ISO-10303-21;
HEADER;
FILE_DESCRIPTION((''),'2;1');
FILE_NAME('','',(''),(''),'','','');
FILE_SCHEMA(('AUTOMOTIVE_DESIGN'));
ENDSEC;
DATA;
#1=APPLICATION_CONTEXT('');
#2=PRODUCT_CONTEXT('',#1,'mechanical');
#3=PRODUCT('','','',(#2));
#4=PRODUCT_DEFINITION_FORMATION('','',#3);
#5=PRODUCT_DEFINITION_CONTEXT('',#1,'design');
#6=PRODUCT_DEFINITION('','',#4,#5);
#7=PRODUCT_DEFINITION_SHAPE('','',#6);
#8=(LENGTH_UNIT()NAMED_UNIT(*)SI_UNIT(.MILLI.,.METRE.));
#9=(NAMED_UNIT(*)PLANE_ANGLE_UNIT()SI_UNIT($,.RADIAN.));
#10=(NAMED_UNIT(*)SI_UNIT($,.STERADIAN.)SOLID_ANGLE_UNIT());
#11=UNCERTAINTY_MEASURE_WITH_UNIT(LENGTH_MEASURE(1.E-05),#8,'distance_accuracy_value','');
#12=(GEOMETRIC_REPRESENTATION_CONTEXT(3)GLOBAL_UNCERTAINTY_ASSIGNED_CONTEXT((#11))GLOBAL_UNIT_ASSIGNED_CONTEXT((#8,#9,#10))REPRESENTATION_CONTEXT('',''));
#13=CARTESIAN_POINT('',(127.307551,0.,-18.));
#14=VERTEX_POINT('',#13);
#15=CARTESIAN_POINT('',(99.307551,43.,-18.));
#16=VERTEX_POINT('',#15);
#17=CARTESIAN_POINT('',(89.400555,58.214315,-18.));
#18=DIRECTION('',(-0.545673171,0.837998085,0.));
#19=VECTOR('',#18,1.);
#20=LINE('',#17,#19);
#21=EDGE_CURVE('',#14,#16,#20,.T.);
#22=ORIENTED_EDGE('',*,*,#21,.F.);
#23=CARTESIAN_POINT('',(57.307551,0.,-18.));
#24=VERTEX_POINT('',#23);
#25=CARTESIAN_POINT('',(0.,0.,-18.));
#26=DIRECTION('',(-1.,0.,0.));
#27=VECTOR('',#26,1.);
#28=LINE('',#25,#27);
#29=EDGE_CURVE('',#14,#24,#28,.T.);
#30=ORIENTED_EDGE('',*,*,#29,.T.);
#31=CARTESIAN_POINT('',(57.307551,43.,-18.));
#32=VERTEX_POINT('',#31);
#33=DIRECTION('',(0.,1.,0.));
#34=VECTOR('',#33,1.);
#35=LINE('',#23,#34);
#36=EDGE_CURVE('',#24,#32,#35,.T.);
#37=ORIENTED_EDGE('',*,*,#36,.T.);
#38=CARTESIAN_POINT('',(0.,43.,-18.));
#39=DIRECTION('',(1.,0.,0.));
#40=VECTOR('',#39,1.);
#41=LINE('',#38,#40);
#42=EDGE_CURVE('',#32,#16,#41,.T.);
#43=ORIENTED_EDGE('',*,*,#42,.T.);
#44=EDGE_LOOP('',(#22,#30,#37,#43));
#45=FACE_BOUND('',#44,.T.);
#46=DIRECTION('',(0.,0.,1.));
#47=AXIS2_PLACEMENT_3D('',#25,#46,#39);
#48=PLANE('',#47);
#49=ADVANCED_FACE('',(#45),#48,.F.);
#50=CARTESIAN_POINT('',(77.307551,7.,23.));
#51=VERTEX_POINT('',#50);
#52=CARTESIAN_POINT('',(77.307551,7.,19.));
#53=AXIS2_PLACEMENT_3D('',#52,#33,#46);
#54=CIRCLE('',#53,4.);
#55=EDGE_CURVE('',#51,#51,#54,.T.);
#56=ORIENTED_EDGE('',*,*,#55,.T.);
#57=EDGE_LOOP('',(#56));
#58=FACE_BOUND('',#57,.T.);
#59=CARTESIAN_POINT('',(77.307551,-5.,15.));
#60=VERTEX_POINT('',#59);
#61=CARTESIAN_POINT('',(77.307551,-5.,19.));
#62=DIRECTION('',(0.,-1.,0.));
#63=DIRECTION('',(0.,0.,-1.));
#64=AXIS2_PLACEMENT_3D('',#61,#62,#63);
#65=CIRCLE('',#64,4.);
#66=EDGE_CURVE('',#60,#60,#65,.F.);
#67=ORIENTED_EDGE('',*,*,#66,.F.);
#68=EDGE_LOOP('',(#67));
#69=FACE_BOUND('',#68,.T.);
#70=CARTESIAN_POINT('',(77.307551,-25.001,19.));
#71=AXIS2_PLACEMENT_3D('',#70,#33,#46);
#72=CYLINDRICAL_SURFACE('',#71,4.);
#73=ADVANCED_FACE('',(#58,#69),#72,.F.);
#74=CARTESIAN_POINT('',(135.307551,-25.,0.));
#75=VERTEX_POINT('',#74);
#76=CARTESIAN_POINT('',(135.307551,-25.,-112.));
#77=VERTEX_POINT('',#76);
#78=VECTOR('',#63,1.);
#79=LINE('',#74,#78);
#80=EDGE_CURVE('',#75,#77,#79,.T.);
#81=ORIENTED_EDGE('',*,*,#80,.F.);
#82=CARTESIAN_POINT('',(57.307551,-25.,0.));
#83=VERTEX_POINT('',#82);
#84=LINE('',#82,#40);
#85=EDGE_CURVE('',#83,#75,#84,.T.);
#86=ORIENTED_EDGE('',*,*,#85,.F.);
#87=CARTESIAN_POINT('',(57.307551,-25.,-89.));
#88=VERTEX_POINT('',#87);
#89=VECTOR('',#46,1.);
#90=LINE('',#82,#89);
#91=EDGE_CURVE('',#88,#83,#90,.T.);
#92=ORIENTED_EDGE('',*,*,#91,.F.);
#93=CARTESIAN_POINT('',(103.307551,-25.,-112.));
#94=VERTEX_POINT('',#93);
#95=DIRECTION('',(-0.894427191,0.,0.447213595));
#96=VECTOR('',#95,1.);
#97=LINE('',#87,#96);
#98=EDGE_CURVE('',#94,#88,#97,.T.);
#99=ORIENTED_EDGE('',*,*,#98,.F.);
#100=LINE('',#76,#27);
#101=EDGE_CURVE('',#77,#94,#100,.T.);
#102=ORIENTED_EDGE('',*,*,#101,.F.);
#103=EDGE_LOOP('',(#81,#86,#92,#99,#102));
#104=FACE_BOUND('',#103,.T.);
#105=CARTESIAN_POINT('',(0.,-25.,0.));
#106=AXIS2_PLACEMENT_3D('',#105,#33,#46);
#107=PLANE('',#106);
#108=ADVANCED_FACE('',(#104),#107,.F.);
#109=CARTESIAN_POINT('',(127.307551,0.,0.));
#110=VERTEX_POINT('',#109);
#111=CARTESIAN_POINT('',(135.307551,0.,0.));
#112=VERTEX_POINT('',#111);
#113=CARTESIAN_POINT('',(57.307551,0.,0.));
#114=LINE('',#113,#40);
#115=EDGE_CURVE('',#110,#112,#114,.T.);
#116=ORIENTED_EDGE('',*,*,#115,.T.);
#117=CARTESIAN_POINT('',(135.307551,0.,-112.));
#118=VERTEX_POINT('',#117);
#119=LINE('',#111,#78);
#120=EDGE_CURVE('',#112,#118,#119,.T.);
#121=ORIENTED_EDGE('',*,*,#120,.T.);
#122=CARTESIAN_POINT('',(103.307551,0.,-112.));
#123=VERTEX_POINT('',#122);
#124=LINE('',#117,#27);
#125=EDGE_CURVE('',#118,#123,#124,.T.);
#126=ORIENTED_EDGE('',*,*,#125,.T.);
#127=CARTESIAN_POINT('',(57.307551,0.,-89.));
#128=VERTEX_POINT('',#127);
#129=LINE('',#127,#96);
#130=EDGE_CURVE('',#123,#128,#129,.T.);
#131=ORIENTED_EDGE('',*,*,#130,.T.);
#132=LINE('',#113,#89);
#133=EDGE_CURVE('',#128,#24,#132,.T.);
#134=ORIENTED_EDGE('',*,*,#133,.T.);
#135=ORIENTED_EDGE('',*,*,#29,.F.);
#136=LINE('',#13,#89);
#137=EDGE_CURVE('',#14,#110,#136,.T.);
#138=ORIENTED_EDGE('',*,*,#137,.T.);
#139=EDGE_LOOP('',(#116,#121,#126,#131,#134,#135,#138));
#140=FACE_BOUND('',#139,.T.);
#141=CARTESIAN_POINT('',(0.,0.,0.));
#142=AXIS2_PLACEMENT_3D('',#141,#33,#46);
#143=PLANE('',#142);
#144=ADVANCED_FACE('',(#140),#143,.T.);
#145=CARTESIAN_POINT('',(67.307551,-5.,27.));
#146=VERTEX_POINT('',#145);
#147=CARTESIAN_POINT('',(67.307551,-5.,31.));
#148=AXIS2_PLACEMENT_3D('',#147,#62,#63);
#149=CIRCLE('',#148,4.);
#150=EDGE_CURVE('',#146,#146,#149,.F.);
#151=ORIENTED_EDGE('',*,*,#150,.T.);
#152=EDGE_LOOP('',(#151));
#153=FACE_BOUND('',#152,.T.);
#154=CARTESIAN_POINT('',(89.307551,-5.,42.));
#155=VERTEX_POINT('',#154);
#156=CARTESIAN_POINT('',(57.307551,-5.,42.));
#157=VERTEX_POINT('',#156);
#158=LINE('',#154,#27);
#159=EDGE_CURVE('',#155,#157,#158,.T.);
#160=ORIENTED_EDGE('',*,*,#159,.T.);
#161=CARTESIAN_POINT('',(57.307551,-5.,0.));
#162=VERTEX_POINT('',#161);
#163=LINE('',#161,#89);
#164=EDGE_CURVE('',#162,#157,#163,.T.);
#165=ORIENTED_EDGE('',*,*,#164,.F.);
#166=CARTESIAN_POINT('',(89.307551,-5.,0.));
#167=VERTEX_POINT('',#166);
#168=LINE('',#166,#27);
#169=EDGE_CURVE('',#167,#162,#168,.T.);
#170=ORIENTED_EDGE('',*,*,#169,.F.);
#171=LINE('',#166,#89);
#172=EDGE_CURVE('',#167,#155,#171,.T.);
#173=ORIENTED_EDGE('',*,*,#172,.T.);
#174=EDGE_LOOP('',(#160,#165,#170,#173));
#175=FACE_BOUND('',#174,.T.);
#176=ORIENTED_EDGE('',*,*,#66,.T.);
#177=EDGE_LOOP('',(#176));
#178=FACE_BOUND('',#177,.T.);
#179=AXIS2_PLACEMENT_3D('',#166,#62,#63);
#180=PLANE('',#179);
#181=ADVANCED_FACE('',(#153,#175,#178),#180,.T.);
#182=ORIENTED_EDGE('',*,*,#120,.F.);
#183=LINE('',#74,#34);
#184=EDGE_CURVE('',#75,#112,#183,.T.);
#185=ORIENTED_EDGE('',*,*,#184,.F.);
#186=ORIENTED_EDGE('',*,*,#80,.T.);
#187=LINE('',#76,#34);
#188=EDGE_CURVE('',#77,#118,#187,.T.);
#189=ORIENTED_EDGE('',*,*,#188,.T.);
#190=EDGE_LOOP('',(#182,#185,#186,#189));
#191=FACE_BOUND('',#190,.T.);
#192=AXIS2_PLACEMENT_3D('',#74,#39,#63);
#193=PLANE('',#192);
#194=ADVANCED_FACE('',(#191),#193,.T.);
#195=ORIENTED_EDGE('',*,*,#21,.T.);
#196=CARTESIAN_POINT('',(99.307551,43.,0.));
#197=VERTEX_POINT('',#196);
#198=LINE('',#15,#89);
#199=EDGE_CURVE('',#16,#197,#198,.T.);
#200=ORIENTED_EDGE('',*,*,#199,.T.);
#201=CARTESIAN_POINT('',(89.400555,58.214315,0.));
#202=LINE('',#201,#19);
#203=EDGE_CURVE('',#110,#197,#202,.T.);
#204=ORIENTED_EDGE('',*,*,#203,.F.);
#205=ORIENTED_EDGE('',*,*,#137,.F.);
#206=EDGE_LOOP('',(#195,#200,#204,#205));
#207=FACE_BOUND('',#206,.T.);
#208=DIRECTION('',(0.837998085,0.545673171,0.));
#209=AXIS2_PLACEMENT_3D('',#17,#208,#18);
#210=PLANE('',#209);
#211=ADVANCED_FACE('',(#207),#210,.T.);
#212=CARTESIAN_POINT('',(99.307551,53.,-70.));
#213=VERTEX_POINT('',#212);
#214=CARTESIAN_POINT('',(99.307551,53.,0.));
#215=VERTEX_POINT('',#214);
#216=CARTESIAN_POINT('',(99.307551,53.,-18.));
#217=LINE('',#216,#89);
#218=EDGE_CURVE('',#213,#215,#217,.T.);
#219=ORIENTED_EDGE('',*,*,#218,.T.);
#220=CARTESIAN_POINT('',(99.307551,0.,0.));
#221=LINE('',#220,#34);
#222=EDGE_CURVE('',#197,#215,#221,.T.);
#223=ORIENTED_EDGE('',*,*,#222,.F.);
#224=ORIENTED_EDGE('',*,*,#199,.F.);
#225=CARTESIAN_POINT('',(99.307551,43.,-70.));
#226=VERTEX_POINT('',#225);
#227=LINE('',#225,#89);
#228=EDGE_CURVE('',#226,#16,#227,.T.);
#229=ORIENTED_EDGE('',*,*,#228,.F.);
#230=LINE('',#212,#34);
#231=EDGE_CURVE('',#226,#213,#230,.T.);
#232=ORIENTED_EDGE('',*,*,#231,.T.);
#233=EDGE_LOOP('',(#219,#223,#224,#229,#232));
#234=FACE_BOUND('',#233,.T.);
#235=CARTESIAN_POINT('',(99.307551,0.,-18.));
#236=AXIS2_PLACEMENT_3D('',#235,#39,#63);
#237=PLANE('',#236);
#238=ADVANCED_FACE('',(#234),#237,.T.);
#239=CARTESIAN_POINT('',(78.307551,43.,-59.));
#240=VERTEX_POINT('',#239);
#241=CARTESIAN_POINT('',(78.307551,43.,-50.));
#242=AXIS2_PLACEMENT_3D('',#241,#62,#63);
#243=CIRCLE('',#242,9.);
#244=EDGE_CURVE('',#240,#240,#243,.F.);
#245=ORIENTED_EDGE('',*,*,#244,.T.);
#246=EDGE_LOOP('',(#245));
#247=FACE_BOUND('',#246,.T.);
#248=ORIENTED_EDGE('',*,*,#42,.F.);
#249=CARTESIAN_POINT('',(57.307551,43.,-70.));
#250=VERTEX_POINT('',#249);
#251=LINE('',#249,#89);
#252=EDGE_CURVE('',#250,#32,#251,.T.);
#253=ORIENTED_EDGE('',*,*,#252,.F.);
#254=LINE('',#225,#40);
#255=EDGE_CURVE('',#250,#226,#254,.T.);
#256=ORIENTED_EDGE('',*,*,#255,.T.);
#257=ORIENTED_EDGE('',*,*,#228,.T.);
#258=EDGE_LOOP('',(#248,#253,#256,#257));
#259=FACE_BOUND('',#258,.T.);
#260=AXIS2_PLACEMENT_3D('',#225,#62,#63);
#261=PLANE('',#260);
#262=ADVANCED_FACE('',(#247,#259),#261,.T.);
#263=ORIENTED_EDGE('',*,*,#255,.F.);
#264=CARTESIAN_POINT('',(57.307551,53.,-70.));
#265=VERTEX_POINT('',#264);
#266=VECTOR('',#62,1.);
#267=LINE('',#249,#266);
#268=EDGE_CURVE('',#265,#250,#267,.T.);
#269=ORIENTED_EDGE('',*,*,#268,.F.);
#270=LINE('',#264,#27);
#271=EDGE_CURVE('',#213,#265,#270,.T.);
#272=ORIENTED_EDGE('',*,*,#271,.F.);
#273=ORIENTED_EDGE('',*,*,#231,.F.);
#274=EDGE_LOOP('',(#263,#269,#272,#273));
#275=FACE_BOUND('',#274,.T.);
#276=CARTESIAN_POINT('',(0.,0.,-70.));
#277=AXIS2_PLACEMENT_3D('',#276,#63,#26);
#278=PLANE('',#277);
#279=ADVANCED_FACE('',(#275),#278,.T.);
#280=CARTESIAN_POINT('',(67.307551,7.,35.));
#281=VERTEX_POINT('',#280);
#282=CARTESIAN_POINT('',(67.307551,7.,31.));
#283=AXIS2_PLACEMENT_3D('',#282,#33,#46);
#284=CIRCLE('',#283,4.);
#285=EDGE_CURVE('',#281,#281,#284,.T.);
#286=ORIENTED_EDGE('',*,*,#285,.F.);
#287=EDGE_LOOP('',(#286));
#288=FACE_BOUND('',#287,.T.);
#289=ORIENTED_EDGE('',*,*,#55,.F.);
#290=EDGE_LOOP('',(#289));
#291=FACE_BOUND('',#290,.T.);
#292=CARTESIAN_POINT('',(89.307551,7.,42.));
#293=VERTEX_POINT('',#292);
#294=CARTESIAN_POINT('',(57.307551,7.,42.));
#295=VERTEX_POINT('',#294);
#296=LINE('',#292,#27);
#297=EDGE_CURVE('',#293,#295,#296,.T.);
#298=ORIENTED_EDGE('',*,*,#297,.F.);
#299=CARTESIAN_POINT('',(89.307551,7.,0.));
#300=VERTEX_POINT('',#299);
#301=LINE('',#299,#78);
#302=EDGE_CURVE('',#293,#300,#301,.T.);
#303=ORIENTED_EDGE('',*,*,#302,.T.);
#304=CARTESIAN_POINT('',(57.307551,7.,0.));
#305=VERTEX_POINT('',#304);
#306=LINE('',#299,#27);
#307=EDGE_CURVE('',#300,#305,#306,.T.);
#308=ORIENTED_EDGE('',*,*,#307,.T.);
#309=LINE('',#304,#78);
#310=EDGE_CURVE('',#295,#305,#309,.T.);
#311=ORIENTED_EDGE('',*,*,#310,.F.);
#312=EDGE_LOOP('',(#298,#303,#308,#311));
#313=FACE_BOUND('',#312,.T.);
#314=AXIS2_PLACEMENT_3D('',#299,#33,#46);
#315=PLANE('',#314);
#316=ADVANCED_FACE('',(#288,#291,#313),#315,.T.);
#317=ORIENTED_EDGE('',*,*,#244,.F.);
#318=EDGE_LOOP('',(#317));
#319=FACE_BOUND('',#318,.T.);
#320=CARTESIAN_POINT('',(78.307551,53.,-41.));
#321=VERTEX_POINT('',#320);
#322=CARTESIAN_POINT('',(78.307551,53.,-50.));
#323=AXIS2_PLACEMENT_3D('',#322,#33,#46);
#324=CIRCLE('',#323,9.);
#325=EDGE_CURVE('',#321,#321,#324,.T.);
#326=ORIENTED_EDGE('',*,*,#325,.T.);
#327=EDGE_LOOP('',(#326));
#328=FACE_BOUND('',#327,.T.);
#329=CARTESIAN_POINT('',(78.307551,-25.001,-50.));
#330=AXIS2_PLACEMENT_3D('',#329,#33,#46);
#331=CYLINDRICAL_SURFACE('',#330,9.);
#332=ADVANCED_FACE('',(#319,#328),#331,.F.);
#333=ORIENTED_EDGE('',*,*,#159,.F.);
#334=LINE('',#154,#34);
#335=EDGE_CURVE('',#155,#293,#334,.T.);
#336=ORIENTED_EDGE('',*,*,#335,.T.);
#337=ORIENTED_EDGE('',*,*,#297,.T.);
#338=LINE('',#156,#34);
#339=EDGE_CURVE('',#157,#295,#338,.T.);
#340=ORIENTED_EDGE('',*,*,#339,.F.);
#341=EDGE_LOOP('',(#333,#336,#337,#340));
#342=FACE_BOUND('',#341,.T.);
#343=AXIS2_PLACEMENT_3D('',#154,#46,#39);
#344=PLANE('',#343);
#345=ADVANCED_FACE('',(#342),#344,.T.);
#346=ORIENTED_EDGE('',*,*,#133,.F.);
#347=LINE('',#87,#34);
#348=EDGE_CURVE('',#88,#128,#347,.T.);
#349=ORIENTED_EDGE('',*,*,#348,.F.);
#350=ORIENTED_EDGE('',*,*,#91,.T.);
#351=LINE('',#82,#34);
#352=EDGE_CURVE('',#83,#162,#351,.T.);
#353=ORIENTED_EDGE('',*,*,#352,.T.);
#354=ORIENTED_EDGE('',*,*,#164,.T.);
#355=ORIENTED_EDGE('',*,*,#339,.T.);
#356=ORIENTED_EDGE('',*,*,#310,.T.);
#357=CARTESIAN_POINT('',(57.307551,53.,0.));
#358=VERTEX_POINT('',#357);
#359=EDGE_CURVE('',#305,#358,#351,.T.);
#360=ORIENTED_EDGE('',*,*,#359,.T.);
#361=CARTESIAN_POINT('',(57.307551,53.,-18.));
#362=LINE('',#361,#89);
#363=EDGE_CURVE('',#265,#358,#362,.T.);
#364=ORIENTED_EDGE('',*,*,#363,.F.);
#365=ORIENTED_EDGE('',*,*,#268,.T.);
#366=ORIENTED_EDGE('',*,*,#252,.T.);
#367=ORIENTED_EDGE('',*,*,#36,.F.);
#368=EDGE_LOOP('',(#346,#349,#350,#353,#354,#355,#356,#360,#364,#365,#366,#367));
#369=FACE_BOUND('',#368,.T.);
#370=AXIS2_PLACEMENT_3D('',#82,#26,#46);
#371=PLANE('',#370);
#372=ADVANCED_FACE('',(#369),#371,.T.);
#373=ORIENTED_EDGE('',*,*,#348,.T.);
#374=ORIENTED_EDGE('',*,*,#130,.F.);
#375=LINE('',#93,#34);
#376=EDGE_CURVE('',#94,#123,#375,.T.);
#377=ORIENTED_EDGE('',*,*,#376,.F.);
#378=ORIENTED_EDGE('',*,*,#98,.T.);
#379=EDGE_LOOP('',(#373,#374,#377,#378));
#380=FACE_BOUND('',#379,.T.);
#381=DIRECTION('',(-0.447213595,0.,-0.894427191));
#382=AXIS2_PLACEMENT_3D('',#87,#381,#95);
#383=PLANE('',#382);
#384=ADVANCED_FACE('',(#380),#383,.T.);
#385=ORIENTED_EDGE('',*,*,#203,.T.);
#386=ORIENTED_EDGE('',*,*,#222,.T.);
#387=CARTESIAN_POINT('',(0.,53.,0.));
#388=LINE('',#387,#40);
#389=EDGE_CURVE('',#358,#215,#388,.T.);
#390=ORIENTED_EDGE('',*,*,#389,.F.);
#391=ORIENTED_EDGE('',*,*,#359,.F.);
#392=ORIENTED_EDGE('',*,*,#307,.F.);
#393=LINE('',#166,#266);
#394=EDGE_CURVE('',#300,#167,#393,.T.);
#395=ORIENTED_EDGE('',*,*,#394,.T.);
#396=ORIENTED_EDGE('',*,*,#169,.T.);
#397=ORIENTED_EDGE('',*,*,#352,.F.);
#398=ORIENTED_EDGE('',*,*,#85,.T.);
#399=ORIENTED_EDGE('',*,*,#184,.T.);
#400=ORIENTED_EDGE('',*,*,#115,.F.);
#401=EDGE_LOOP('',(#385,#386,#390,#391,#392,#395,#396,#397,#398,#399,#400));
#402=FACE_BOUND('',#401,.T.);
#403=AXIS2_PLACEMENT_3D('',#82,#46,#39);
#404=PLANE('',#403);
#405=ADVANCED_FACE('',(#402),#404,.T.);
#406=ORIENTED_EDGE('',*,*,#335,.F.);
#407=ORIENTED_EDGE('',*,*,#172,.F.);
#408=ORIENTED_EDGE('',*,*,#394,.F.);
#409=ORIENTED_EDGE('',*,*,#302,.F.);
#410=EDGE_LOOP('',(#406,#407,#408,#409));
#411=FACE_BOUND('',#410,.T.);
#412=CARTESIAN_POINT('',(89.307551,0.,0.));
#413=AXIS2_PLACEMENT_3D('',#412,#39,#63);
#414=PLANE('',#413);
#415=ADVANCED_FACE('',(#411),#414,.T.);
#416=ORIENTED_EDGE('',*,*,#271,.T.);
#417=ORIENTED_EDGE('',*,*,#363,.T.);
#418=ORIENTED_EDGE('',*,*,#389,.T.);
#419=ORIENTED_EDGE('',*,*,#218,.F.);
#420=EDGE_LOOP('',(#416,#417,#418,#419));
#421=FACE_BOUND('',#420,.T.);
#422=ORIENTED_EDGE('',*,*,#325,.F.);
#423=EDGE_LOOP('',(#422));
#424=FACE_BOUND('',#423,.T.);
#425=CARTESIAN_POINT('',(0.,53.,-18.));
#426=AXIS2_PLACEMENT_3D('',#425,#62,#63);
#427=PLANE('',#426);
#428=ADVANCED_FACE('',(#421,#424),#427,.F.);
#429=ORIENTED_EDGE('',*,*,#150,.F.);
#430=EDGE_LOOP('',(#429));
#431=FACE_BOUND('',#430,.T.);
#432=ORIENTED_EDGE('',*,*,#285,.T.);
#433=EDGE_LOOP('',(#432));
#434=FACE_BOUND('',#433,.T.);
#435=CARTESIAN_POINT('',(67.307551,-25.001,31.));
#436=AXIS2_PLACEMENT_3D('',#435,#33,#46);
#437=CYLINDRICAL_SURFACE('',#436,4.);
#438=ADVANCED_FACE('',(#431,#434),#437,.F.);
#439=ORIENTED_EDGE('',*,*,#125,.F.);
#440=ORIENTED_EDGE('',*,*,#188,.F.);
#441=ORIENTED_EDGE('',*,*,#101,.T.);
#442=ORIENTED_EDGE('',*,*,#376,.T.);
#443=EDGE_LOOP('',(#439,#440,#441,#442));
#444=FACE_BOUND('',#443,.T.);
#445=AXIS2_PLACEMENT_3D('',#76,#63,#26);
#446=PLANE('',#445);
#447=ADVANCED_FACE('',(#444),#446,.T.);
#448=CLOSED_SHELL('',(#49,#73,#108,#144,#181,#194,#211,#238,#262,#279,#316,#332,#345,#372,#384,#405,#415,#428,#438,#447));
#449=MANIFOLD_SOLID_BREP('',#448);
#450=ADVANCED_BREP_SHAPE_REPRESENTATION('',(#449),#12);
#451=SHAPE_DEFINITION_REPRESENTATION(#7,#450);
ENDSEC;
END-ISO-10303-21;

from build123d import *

# Parameters (mm, degrees)
BOSS_EXTRUDE1_DEPTH = 25
BOSS_EXTRUDE2_DEPTH = 18
SKETCH3_W           = 42
SKETCH3_H           = 10
BOSS_EXTRUDE3_DEPTH = 70
CUT_EXTRUDE1_REACH  = 194.188
SKETCH4_R           = 9
SKETCH5_W           = 42
SKETCH5_H           = 12
BOSS_EXTRUDE4_DEPTH = 32
CUT_EXTRUDE2_REACH  = 183.571
SKETCH6_R           = 4


with BuildPart() as part:
    # Sketch1 → Boss-Extrude1 (new body)
    with BuildSketch(Plane(origin=(0, 0, 0), x_dir=(1, 0, 0), z_dir=(0, 1, 0))):
        Polygon((57.307550645, 0), (135.307550645, 0), (135.307550645, 112), (103.307550645, 112), (57.307550645, 89), align=None)
    extrude(amount=-BOSS_EXTRUDE1_DEPTH)

    # Sketch2 → Boss-Extrude2 (add)
    with BuildSketch(Plane.XY):
        Polygon((57.307550645, 0), (127.307550645, 0), (99.307550645, 43), (99.307550645, 53), (57.307550645, 53), align=None)
    extrude(amount=-BOSS_EXTRUDE2_DEPTH)

    # Sketch3 → Boss-Extrude3 (add)
    with BuildSketch(Plane.XY):
        with Locations((78.307550645, 48)):
            Rectangle(SKETCH3_W, SKETCH3_H)
    extrude(amount=-BOSS_EXTRUDE3_DEPTH)

    # Sketch4 → Cut-Extrude1 (cut, up to next)
    with BuildSketch(Plane(origin=(0, 53, 0), x_dir=(1, 0, 0), z_dir=(0, 1, 0)), mode=Mode.PRIVATE) as cut_extrude1_sk1:
        with Locations(Location((78.307550645, 50, 0), (0, 0, 270))):
            Circle(SKETCH4_R)
    cut_extrude1_tool1 = extrude(cut_extrude1_sk1.sketch, amount=-CUT_EXTRUDE1_REACH, mode=Mode.PRIVATE) & part.part
    add(cut_extrude1_tool1.solids().sort_by_distance((78.307551, 53, -50))[0], mode=Mode.SUBTRACT)

    # Sketch5 → Boss-Extrude4 (add)
    with BuildSketch(Plane.ZY.offset(-57.307550645)):
        with Locations((21, 1)):
            Rectangle(SKETCH5_W, SKETCH5_H)
    extrude(amount=-BOSS_EXTRUDE4_DEPTH)

    # Sketch6 → Cut-Extrude2 (cut, up to next)
    with BuildSketch(Plane(origin=(0, 7, 0), x_dir=(1, 0, 0), z_dir=(0, 1, 0)), mode=Mode.PRIVATE) as cut_extrude2_sk1:
        with Locations(Location((67.307550645, -31, 0), (0, 0, 270))):
            Circle(SKETCH6_R)
    cut_extrude2_tool1 = extrude(cut_extrude2_sk1.sketch, amount=-CUT_EXTRUDE2_REACH, mode=Mode.PRIVATE) & part.part
    # Sketch6 → Cut-Extrude2 (cut, up to next)
    with BuildSketch(Plane(origin=(0, 7, 0), x_dir=(1, 0, 0), z_dir=(0, 1, 0)), mode=Mode.PRIVATE) as cut_extrude2_sk2:
        with Locations(Location((77.307550645, -19, 0), (0, 0, 270))):
            Circle(SKETCH6_R)
    cut_extrude2_tool2 = extrude(cut_extrude2_sk2.sketch, amount=-CUT_EXTRUDE2_REACH, mode=Mode.PRIVATE) & part.part
    add(cut_extrude2_tool1.solids().sort_by_distance((67.307551, 7, 31))[0], mode=Mode.SUBTRACT)
    add(cut_extrude2_tool2.solids().sort_by_distance((77.307551, 7, 19))[0], mode=Mode.SUBTRACT)


solid = part.part
